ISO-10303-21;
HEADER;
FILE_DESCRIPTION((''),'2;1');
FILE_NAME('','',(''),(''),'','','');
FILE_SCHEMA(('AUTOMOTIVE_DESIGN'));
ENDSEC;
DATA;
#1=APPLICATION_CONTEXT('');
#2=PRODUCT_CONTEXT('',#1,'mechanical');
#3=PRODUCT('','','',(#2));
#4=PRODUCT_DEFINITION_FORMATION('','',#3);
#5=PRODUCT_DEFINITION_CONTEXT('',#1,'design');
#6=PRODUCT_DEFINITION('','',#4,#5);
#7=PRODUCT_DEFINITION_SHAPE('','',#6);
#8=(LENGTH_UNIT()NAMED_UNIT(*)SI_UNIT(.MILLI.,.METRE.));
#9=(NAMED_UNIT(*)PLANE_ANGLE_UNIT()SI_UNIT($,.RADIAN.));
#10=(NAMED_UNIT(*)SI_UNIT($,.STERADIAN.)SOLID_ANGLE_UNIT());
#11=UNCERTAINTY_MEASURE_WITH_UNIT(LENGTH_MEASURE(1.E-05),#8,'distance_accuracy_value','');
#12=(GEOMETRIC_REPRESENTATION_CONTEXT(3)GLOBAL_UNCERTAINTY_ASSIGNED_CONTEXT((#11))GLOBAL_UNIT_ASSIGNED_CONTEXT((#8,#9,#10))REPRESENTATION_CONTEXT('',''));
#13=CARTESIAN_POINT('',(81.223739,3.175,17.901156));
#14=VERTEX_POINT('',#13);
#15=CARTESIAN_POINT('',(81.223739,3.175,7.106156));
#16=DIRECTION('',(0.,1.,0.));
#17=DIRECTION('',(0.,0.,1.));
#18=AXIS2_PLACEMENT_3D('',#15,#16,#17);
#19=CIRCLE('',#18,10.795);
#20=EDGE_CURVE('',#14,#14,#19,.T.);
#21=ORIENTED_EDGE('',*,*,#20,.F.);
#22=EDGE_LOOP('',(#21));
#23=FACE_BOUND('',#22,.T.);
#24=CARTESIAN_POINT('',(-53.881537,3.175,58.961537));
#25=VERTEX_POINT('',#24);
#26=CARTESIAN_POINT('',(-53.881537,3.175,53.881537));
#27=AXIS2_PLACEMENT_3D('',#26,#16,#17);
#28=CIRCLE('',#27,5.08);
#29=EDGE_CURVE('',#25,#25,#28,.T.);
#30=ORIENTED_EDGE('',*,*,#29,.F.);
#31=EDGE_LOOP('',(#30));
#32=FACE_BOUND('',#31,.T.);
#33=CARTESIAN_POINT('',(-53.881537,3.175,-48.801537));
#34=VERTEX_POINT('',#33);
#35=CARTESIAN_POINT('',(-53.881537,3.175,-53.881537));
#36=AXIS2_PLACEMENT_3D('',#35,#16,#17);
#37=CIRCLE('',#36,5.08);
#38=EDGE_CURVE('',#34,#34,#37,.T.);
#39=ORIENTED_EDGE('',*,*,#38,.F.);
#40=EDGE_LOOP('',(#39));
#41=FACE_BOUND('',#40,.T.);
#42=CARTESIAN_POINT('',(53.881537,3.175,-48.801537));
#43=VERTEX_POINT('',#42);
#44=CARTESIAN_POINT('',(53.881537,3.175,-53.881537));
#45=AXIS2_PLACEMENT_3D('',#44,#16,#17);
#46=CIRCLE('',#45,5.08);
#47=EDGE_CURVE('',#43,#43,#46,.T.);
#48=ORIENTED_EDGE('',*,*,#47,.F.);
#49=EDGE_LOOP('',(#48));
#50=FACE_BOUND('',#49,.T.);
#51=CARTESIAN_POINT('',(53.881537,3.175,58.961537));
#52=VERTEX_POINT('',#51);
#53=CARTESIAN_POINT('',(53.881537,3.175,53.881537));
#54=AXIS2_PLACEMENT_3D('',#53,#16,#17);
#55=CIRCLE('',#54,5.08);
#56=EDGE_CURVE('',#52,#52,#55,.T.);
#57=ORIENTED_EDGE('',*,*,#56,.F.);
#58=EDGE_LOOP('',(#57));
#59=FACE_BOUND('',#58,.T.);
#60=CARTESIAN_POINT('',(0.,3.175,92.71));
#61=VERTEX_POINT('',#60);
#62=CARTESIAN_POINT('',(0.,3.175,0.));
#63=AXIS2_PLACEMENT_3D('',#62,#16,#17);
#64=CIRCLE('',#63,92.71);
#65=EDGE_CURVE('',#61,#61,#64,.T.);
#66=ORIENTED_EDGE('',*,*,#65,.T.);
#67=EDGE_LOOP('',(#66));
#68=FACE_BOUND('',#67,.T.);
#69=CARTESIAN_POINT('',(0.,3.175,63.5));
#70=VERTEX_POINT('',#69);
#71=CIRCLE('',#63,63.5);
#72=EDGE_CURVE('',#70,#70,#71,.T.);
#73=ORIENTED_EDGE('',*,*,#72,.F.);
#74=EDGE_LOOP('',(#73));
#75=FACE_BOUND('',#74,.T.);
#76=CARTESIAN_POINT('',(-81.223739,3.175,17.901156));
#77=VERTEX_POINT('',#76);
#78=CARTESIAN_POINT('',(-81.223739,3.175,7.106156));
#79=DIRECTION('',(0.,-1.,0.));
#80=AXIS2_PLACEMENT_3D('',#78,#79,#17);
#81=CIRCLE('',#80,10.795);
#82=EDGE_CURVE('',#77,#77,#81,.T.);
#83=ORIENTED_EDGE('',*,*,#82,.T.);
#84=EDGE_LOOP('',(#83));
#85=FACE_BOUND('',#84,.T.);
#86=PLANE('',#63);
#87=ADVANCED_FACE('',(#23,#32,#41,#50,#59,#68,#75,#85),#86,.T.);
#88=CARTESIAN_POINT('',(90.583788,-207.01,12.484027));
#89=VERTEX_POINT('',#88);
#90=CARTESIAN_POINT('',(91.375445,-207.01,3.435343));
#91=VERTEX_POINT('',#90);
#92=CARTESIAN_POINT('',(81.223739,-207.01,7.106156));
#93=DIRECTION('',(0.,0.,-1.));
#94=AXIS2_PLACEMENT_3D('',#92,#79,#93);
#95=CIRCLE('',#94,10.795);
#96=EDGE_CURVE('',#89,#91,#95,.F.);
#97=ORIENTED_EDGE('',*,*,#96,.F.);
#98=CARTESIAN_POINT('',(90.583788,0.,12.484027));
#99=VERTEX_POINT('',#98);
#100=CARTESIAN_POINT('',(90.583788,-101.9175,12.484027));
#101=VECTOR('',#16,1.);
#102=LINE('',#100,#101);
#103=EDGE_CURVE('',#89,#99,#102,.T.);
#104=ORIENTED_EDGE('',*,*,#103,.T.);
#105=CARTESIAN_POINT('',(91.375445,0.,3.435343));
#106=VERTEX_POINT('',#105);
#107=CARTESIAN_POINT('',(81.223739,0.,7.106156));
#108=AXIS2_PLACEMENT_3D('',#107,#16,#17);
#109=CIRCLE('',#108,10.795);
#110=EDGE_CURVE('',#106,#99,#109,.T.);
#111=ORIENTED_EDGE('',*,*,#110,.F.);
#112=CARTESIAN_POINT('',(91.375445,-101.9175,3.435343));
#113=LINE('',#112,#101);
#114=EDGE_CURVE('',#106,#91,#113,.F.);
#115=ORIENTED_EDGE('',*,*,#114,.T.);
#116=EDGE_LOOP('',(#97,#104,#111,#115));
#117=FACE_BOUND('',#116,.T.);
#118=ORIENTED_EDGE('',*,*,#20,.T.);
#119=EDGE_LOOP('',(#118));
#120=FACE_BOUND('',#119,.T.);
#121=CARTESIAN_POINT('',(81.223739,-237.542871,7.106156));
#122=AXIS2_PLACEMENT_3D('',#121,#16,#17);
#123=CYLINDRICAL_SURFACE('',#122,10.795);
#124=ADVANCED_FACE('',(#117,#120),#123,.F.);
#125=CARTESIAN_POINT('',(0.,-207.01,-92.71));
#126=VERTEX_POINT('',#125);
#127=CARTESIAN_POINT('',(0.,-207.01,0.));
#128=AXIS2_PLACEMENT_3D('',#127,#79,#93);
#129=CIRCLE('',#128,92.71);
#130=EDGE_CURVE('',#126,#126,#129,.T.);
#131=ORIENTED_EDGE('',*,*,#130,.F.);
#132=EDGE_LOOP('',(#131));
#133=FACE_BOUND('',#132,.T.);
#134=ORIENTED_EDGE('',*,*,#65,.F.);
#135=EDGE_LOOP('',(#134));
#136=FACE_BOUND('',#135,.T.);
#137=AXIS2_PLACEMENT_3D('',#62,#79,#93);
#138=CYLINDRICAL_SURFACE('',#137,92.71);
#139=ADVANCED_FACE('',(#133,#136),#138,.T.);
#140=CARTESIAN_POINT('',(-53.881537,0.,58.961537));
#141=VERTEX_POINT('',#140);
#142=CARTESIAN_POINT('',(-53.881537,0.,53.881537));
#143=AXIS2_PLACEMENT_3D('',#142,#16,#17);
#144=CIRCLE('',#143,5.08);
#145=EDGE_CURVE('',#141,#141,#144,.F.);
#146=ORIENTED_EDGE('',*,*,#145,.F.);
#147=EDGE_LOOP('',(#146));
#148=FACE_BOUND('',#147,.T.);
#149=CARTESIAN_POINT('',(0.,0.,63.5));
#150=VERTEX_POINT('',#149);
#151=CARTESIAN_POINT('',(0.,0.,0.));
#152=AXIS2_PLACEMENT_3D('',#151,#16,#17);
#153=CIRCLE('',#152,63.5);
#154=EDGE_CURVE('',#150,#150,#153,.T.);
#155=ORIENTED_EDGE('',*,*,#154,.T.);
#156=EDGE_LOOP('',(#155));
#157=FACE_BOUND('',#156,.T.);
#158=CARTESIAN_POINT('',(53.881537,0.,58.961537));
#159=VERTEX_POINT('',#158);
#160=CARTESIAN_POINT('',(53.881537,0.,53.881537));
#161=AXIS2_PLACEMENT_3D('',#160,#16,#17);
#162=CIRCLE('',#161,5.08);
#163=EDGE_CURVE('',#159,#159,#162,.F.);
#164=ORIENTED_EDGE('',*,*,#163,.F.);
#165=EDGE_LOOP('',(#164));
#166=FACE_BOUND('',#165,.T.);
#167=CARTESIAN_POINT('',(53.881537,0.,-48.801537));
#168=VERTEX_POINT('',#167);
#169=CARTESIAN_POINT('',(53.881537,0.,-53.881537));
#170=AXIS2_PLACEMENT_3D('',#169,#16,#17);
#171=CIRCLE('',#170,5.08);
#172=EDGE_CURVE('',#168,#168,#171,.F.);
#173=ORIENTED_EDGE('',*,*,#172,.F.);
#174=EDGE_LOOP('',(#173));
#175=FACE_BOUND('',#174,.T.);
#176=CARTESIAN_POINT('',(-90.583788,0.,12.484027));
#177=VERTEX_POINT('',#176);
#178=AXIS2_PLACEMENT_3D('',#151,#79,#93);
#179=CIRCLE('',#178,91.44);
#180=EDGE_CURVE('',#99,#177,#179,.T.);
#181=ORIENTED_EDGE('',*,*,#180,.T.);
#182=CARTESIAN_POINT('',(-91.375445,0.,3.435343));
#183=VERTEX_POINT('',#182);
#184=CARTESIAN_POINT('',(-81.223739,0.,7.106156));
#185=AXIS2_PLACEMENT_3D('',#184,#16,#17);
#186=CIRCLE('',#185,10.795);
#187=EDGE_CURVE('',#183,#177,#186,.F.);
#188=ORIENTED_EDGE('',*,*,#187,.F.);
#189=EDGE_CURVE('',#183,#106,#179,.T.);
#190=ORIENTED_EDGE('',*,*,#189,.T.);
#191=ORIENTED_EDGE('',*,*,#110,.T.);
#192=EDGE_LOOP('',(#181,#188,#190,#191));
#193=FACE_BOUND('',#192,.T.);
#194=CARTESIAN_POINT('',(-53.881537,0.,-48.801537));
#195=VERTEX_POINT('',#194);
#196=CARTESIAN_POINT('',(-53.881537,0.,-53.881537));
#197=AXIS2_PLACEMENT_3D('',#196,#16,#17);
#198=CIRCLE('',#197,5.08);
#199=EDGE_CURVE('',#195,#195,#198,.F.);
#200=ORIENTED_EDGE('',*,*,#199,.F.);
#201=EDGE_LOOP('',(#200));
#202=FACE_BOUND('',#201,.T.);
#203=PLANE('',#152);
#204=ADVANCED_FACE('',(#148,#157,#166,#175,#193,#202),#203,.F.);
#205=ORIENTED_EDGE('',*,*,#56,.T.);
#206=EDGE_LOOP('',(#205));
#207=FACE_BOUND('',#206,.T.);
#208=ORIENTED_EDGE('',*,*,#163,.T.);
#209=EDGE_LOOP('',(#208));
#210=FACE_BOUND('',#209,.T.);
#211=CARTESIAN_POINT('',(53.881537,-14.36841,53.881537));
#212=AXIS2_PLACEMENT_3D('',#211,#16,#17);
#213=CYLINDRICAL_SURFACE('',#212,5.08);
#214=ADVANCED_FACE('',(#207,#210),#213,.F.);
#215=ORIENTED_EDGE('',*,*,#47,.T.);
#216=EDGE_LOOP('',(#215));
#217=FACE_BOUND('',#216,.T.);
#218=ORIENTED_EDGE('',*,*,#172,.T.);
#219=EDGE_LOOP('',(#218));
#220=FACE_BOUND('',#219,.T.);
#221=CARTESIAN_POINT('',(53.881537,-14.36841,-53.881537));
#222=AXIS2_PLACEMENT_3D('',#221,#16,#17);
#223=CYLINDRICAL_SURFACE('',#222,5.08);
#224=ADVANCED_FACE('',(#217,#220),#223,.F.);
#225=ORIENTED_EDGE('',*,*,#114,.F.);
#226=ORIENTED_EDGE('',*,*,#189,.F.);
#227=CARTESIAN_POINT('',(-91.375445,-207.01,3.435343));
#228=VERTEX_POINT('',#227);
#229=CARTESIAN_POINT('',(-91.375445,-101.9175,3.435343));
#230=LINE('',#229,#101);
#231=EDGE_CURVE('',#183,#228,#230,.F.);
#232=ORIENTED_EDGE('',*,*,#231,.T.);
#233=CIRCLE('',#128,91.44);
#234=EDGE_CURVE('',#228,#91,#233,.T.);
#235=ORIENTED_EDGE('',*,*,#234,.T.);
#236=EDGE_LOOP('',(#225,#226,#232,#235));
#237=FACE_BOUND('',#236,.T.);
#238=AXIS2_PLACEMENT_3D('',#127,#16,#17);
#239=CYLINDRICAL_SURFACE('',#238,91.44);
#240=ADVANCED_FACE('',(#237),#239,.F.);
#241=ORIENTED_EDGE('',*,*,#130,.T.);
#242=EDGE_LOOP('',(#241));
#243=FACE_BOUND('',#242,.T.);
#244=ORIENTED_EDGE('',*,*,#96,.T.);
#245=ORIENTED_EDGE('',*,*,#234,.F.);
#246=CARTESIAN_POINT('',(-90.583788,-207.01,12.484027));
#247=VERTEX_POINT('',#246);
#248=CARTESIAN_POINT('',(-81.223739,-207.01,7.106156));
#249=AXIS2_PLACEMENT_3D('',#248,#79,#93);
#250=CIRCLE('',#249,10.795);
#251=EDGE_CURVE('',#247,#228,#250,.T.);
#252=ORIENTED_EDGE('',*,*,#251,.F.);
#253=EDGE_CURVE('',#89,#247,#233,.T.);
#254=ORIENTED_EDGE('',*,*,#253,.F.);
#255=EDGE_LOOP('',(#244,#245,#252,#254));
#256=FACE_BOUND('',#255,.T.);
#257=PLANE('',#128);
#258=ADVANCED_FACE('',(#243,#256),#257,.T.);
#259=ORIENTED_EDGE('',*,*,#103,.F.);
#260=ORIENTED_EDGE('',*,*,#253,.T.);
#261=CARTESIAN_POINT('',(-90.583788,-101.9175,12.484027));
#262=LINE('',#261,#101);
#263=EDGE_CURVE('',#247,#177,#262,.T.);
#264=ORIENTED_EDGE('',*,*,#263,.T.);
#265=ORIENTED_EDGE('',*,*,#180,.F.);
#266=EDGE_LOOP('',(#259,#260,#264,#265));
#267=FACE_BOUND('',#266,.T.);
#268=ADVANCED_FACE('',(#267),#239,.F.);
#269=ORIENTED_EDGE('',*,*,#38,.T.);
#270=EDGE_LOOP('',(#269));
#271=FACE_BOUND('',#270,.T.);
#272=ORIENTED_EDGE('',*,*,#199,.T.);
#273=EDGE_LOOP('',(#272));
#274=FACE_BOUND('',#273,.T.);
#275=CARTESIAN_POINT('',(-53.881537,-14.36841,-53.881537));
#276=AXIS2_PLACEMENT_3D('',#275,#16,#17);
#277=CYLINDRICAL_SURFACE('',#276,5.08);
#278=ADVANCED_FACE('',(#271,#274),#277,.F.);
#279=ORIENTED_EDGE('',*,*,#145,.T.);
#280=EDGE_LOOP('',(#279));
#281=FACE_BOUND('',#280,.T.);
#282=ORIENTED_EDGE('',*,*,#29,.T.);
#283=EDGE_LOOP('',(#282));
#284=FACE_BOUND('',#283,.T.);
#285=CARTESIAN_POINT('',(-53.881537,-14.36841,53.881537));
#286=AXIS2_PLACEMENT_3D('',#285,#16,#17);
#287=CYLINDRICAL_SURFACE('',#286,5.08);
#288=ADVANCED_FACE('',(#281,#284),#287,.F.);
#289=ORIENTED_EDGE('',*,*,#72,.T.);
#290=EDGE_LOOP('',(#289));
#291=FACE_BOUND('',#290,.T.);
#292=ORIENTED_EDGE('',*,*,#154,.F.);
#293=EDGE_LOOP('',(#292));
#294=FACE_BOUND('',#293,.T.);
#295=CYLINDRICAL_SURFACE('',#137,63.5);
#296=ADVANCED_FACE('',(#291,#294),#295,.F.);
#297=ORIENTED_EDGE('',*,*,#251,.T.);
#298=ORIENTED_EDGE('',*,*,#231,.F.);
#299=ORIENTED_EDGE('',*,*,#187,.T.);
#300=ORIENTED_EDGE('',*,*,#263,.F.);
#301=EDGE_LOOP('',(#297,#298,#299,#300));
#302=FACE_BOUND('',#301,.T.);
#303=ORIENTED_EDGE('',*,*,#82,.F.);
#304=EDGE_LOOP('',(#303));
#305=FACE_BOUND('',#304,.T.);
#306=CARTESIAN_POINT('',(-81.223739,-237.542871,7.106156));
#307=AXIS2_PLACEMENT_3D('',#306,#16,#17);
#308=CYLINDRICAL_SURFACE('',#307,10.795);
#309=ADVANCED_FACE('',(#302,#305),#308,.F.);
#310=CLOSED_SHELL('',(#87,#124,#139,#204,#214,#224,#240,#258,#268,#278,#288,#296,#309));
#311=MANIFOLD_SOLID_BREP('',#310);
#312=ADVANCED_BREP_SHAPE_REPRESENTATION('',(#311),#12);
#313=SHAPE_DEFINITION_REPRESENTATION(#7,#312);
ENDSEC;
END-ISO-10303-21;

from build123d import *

# Parameters (mm, degrees)
SKETCH1_R                            = 92.71
SKETCH1_R_2                          = 63.5
TOP_RING_DEPTH                       = 3.175
SKETCH2_R                            = 92.71
SKETCH2_R_2                          = 91.44
CYLINDRICAL_EXTENSTION_DEPTH         = 207.01
SKETCH3_R                            = 10.795
NOSE_CONE_EJECTION_CHARGE_HOLE_DEPTH = 210.185
SKETCH4_R                            = 5.08
CUT_EXTRUDE1_DEPTH                   = 3.175


with BuildPart() as part:
    # Sketch1 → Top Ring (new body)
    with BuildSketch(Plane(origin=(0, 0, 0), x_dir=(1, 0, 0), z_dir=(0, 1, 0))):
        Circle(SKETCH1_R)
        Circle(SKETCH1_R_2, mode=Mode.SUBTRACT)
    extrude(amount=TOP_RING_DEPTH)

    # Sketch2 → Cylindrical extenstion (add)
    with BuildSketch(Plane.XZ):
        Circle(SKETCH2_R)
        Circle(SKETCH2_R_2, mode=Mode.SUBTRACT)
    extrude(amount=CYLINDRICAL_EXTENSTION_DEPTH)

    # Sketch3 → Nose Cone Ejection Charge Hole (cut)
    with BuildSketch(Plane(origin=(0, 3.175, 0), x_dir=(1, 0, 0), z_dir=(0, 1, 0))):
        with Locations((81.223738514, -7.106156329)):
            Circle(SKETCH3_R)
    nose_cone_ejection_charge_hole = extrude(amount=-NOSE_CONE_EJECTION_CHARGE_HOLE_DEPTH, mode=Mode.SUBTRACT)

    # Nose Cone Ejection Charge Mirror: Nose Cone Ejection Charge Hole across plane
    add(nose_cone_ejection_charge_hole.mirror(Plane(origin=(0, 0, 0), x_dir=(0, 0, 1), z_dir=(1, 0, 0))), mode=Mode.SUBTRACT)

    # Sketch4 → Cut-Extrude1 (cut)
    with BuildSketch(Plane(origin=(0, 3.175, 0), x_dir=(1, 0, 0), z_dir=(0, 1, 0))):
        with Locations((53.881536726, -53.881536726)):
            Circle(SKETCH4_R)
        with Locations((-53.881536726, -53.881536726)):
            Circle(SKETCH4_R)
        with Locations((-53.881536726, 53.881536726)):
            Circle(SKETCH4_R)
        with Locations((53.881536726, 53.881536726)):
            Circle(SKETCH4_R)
    extrude(amount=-CUT_EXTRUDE1_DEPTH, mode=Mode.SUBTRACT)


solid = part.part
